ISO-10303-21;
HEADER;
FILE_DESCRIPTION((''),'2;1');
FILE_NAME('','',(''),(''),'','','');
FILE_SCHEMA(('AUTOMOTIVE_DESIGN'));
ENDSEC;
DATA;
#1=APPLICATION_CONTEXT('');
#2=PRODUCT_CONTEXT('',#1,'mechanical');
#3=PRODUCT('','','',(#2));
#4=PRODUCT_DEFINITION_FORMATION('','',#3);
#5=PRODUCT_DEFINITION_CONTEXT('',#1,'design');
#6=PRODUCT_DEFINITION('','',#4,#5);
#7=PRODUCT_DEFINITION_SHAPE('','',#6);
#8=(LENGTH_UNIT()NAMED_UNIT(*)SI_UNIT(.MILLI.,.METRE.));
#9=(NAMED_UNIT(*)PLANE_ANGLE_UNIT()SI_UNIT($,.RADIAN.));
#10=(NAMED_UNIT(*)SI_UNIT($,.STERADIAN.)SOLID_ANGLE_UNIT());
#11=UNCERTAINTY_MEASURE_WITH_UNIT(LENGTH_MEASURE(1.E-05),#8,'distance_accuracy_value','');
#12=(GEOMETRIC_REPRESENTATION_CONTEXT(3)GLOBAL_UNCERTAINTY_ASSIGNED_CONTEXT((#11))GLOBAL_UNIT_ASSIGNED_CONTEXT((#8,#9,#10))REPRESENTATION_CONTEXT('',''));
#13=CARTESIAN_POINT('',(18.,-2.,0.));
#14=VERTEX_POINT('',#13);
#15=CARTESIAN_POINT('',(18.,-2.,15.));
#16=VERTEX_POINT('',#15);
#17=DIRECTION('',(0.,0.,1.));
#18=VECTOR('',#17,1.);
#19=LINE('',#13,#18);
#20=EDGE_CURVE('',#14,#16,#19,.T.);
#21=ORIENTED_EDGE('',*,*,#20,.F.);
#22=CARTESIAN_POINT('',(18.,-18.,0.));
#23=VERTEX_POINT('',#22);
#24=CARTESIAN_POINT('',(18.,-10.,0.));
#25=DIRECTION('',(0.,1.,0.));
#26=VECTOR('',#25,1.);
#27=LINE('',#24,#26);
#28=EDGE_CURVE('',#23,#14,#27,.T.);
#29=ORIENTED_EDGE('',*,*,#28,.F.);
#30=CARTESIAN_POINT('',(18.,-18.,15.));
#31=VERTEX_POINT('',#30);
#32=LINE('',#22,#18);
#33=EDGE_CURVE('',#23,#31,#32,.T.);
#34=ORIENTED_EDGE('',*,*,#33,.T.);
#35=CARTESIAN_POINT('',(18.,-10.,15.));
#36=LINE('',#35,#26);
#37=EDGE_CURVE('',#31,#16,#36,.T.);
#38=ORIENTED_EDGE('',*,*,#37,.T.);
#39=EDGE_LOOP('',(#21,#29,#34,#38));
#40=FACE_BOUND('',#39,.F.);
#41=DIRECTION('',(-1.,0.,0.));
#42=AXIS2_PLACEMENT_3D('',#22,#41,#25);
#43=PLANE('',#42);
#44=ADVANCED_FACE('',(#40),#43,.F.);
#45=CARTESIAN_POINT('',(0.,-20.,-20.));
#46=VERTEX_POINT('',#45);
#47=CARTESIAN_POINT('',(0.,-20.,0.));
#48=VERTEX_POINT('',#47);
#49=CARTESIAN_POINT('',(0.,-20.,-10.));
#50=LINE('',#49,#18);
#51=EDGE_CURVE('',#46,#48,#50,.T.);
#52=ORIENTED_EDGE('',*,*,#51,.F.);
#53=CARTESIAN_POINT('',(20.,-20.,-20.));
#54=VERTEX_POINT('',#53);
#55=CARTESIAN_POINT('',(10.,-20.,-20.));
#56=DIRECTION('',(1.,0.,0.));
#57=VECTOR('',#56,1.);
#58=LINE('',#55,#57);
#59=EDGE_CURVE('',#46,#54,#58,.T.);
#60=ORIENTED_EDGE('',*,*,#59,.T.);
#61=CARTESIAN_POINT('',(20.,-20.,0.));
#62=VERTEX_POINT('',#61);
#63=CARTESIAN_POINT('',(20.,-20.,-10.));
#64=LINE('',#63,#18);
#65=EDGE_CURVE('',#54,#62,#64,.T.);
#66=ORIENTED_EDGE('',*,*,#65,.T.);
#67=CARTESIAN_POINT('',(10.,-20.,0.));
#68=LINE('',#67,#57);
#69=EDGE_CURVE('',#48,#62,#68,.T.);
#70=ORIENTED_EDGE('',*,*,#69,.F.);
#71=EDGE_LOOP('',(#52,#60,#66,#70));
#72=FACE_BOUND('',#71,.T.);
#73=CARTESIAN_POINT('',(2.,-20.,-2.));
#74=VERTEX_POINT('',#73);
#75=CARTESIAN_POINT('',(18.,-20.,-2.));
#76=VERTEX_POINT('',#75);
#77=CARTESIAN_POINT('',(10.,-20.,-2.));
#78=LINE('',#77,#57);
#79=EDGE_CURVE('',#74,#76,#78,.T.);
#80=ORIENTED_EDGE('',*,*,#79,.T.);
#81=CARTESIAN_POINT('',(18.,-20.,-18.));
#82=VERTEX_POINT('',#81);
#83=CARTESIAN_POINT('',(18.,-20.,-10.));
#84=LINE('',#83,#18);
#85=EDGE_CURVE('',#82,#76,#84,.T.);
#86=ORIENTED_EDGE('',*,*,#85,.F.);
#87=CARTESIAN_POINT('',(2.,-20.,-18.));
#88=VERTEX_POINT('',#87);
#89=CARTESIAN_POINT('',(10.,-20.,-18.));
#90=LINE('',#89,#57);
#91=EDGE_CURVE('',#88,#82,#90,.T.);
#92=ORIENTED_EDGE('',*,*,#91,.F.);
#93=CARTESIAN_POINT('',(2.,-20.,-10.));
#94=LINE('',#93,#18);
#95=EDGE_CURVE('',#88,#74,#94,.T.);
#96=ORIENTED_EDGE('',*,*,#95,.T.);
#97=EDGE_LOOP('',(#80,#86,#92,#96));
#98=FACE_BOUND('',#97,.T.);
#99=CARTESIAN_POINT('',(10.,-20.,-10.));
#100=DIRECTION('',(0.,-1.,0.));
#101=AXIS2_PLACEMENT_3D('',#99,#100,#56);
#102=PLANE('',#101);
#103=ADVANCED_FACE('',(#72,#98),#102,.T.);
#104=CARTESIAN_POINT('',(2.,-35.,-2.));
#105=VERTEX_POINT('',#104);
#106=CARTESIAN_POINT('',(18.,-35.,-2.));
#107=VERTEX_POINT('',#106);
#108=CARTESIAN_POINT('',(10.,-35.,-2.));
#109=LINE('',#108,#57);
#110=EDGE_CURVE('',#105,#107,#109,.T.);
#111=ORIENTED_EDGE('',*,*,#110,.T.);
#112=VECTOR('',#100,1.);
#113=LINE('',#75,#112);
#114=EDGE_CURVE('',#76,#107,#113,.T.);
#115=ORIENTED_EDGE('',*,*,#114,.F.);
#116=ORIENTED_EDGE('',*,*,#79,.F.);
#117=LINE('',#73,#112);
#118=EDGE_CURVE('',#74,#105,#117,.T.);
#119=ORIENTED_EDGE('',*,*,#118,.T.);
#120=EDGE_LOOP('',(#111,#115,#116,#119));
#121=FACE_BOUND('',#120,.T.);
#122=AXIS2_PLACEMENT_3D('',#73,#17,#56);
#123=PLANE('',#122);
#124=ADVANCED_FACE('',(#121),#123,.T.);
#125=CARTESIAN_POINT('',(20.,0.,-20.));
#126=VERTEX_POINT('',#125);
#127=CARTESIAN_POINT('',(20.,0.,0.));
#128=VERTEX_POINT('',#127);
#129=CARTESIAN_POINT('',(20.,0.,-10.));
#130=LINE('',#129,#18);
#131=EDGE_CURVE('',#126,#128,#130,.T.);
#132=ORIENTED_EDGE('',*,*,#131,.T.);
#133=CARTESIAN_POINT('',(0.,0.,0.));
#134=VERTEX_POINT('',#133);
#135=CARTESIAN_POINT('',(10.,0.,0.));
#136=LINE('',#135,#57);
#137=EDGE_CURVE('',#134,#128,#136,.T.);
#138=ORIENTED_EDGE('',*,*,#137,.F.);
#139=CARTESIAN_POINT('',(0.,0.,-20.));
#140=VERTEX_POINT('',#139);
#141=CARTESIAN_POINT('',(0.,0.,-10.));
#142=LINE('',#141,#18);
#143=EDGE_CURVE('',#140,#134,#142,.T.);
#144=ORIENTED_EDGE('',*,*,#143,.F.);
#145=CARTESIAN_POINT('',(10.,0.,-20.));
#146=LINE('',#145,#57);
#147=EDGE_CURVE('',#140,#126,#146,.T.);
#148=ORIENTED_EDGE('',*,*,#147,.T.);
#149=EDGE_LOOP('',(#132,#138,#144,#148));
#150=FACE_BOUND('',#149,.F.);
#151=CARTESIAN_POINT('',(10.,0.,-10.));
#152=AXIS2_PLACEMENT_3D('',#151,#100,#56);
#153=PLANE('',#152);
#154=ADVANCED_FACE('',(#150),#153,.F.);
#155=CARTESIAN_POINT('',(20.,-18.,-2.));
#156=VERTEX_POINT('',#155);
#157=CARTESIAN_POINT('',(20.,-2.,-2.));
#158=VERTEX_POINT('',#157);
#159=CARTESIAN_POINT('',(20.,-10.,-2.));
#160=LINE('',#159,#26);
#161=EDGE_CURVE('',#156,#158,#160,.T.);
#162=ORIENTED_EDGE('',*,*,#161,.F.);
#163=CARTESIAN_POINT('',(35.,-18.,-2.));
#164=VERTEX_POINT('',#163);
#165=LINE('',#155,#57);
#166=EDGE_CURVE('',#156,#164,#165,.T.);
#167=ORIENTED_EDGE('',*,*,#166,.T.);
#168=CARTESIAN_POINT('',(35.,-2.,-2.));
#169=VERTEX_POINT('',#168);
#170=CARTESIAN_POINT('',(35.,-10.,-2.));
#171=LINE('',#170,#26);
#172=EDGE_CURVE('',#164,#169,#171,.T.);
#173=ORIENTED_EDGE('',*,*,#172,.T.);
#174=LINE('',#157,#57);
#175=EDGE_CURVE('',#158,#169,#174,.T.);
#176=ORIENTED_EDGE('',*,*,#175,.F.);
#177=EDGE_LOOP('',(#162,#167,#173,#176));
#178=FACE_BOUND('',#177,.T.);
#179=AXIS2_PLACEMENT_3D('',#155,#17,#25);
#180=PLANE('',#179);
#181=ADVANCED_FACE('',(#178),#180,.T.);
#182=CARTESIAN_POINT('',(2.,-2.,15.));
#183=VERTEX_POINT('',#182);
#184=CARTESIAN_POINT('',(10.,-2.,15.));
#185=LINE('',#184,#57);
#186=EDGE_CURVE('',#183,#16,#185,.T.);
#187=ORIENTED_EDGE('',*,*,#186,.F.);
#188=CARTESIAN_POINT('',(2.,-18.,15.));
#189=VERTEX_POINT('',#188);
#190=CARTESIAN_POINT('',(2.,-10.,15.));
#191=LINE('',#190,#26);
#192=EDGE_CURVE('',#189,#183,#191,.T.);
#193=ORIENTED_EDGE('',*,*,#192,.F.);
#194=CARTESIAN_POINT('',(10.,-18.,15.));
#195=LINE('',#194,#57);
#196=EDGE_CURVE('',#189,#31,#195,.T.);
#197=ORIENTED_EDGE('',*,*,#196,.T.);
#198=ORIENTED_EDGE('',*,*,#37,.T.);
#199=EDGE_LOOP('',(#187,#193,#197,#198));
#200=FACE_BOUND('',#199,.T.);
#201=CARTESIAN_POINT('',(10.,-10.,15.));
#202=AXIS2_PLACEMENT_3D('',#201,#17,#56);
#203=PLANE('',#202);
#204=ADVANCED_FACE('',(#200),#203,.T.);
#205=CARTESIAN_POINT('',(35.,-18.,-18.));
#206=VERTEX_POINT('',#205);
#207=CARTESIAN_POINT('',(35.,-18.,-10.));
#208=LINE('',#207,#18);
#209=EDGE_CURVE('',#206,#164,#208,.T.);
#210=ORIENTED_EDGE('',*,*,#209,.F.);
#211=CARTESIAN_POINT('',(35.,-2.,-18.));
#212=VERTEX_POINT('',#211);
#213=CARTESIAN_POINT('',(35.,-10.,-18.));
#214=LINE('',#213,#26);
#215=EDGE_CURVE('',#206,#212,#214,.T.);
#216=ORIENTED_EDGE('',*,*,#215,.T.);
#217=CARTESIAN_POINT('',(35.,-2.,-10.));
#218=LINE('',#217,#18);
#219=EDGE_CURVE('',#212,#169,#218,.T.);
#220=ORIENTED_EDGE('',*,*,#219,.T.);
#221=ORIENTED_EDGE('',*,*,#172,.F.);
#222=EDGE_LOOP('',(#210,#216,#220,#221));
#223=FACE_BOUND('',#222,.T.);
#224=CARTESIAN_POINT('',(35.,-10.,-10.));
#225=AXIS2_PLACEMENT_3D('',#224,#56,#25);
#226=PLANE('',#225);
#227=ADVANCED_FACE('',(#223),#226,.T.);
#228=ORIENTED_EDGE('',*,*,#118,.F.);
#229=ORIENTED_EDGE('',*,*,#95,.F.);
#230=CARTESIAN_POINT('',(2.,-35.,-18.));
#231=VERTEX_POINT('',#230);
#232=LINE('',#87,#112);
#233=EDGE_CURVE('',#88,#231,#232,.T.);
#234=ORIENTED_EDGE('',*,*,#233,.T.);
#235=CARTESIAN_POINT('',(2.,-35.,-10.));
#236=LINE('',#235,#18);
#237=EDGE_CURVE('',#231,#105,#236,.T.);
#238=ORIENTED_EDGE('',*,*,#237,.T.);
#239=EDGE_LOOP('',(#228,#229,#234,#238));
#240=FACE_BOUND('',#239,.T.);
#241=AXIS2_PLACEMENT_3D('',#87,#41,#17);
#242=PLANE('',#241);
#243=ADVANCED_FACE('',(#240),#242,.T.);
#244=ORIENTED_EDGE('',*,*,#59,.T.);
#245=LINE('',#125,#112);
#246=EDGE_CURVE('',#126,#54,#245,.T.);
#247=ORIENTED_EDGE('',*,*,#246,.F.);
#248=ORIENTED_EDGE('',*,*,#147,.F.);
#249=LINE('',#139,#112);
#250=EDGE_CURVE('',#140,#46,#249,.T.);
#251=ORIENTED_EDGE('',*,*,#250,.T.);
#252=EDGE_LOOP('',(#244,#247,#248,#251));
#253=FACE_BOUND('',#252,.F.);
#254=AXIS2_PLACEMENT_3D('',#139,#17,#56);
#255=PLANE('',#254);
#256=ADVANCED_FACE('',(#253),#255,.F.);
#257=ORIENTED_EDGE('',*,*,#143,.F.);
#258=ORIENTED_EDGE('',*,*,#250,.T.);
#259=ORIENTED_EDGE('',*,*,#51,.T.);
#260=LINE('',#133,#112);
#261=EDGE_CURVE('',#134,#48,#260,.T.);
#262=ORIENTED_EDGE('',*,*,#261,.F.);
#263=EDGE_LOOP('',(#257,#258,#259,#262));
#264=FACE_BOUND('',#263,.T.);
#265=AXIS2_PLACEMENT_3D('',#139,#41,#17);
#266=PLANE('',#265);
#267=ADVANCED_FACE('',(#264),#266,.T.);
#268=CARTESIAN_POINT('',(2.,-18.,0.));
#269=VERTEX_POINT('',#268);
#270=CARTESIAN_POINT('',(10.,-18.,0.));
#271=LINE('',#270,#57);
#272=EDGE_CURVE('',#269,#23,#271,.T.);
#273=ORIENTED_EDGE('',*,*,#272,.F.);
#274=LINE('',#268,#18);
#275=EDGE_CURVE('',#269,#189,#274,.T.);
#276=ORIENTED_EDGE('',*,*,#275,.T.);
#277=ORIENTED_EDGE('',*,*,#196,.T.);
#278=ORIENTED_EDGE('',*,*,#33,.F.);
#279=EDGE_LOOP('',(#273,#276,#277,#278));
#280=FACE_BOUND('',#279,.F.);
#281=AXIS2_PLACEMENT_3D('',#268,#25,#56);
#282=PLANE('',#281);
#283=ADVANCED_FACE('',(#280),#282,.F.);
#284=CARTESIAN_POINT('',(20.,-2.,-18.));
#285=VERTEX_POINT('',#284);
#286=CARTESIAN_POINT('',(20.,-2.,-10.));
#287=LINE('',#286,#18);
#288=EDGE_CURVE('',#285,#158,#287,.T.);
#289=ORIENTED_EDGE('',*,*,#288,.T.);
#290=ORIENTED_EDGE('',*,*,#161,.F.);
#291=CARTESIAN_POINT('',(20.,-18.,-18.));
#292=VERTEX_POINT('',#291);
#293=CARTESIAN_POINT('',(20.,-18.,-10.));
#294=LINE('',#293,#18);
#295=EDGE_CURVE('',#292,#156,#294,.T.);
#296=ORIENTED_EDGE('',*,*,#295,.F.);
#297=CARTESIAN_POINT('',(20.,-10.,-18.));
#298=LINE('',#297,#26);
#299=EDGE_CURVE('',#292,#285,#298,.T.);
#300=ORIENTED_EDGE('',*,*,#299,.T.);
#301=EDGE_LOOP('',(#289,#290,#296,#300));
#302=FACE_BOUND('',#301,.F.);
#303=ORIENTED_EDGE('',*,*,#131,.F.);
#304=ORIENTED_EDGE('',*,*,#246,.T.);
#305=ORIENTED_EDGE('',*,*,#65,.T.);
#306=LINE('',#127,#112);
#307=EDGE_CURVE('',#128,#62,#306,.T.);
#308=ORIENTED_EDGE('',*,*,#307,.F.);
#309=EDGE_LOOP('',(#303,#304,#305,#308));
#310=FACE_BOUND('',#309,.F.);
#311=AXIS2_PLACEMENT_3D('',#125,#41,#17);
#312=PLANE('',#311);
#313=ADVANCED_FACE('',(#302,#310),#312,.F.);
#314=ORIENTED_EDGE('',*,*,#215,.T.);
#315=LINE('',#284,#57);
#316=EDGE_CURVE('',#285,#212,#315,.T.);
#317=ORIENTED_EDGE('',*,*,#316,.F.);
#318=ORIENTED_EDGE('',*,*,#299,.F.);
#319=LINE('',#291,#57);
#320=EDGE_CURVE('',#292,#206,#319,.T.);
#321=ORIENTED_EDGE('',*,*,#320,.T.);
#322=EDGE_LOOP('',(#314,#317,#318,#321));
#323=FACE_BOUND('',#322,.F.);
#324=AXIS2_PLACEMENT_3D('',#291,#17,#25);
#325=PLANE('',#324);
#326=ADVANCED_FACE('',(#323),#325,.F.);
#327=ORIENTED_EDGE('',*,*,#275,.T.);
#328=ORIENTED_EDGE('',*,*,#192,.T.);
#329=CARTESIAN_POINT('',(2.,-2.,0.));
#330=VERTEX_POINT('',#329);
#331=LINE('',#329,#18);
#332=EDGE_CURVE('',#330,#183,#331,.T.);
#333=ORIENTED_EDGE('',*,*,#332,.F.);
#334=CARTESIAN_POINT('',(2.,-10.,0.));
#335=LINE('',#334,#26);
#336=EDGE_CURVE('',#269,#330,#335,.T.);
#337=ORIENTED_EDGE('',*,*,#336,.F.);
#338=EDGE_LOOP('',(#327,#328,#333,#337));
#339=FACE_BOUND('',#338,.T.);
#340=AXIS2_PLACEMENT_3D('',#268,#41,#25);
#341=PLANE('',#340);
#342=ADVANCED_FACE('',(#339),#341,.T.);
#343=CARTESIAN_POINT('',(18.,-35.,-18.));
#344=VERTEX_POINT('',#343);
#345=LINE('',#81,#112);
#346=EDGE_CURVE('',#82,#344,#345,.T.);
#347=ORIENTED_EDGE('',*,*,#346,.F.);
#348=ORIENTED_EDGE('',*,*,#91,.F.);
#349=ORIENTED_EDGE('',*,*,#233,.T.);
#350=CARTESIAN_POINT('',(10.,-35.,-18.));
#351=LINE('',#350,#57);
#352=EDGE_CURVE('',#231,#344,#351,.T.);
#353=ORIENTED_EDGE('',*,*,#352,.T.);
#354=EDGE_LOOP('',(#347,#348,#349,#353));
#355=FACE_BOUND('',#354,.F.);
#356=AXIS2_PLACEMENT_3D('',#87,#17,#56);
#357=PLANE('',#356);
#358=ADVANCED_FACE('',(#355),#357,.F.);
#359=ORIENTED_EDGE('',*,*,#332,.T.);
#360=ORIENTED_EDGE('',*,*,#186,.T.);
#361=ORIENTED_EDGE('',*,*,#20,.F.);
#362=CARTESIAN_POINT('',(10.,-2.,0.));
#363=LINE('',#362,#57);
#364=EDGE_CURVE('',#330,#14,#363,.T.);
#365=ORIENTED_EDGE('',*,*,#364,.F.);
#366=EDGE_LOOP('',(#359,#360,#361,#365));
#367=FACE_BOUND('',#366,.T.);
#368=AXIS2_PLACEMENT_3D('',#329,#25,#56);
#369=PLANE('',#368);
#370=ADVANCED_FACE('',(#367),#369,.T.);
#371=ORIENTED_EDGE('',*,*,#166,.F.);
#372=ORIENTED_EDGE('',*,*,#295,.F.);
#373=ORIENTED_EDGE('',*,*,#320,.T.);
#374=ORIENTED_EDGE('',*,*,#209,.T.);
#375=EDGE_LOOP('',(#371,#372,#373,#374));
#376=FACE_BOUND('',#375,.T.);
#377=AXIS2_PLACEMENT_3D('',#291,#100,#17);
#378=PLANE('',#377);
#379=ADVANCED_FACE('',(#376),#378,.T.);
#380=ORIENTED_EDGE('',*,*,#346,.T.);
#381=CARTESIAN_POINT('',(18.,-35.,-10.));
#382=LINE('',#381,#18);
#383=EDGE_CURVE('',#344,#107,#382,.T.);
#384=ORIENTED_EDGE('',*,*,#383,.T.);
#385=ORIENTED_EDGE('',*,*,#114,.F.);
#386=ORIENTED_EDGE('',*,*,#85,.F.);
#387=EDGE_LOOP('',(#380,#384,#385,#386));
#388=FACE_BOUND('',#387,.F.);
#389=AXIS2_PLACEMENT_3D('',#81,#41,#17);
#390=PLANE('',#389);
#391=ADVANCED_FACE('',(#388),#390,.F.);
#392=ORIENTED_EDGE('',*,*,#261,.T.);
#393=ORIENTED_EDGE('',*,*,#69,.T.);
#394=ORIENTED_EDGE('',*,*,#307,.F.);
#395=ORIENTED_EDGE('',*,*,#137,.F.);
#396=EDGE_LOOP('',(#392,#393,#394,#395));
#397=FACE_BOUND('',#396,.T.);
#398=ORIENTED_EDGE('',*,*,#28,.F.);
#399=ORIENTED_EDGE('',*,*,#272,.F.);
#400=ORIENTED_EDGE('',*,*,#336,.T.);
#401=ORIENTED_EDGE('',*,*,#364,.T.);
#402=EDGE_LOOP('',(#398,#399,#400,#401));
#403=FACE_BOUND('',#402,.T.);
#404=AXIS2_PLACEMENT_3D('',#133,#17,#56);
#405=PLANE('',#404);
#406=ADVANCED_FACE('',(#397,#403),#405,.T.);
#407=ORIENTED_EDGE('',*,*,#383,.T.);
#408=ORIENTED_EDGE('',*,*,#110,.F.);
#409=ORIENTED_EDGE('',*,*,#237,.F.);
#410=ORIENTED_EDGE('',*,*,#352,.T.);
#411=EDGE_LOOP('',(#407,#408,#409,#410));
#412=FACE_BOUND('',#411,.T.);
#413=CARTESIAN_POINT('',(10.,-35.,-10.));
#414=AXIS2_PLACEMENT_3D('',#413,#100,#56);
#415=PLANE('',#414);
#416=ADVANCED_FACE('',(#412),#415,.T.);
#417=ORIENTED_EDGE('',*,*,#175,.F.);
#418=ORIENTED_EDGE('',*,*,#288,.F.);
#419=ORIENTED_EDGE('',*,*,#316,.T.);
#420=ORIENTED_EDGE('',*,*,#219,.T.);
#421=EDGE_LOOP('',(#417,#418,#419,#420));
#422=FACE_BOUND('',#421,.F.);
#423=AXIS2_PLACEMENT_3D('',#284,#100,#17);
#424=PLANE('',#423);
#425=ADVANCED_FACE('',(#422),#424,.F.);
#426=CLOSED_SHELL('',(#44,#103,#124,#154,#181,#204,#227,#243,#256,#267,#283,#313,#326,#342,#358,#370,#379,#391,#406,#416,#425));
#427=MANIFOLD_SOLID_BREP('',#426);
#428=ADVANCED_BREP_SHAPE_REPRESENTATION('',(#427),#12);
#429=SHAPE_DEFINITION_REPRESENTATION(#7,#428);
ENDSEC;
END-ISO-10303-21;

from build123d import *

# Parameters (mm, degrees)
F0_W     = 20
F0_H     = 20
F1_DEPTH = 20
F2_W     = 16
F2_H     = 16
F3_DEPTH = 15
F4_W     = 16
F4_H     = 16
F5_DEPTH = 15
F6_W     = 16
F6_H     = 16
F7_DEPTH = 15


with BuildPart() as f1:
    # F0 (on Front) → F1 (new body)
    with BuildSketch(Plane.XZ):
        with Locations((10, -10)):
            Rectangle(F0_W, F0_H)
    extrude(amount=F1_DEPTH)

    # F2 (on face) → F3 (join)
    with BuildSketch(Plane.XZ.offset(20)):
        with Locations((10, -10)):
            Rectangle(F2_W, F2_H)
    extrude(amount=F3_DEPTH)

    # F4 (on face) → F5 (join)
    with BuildSketch(Plane.YZ.offset(20)):
        with Locations((-10, -10)):
            Rectangle(F4_W, F4_H)
    extrude(amount=F5_DEPTH)

    # F6 (on face) → F7 (join)
    with BuildSketch(Plane.XY):
        with Locations((10, -10)):
            Rectangle(F6_W, F6_H)
    extrude(amount=F7_DEPTH)


solid = f1.part
